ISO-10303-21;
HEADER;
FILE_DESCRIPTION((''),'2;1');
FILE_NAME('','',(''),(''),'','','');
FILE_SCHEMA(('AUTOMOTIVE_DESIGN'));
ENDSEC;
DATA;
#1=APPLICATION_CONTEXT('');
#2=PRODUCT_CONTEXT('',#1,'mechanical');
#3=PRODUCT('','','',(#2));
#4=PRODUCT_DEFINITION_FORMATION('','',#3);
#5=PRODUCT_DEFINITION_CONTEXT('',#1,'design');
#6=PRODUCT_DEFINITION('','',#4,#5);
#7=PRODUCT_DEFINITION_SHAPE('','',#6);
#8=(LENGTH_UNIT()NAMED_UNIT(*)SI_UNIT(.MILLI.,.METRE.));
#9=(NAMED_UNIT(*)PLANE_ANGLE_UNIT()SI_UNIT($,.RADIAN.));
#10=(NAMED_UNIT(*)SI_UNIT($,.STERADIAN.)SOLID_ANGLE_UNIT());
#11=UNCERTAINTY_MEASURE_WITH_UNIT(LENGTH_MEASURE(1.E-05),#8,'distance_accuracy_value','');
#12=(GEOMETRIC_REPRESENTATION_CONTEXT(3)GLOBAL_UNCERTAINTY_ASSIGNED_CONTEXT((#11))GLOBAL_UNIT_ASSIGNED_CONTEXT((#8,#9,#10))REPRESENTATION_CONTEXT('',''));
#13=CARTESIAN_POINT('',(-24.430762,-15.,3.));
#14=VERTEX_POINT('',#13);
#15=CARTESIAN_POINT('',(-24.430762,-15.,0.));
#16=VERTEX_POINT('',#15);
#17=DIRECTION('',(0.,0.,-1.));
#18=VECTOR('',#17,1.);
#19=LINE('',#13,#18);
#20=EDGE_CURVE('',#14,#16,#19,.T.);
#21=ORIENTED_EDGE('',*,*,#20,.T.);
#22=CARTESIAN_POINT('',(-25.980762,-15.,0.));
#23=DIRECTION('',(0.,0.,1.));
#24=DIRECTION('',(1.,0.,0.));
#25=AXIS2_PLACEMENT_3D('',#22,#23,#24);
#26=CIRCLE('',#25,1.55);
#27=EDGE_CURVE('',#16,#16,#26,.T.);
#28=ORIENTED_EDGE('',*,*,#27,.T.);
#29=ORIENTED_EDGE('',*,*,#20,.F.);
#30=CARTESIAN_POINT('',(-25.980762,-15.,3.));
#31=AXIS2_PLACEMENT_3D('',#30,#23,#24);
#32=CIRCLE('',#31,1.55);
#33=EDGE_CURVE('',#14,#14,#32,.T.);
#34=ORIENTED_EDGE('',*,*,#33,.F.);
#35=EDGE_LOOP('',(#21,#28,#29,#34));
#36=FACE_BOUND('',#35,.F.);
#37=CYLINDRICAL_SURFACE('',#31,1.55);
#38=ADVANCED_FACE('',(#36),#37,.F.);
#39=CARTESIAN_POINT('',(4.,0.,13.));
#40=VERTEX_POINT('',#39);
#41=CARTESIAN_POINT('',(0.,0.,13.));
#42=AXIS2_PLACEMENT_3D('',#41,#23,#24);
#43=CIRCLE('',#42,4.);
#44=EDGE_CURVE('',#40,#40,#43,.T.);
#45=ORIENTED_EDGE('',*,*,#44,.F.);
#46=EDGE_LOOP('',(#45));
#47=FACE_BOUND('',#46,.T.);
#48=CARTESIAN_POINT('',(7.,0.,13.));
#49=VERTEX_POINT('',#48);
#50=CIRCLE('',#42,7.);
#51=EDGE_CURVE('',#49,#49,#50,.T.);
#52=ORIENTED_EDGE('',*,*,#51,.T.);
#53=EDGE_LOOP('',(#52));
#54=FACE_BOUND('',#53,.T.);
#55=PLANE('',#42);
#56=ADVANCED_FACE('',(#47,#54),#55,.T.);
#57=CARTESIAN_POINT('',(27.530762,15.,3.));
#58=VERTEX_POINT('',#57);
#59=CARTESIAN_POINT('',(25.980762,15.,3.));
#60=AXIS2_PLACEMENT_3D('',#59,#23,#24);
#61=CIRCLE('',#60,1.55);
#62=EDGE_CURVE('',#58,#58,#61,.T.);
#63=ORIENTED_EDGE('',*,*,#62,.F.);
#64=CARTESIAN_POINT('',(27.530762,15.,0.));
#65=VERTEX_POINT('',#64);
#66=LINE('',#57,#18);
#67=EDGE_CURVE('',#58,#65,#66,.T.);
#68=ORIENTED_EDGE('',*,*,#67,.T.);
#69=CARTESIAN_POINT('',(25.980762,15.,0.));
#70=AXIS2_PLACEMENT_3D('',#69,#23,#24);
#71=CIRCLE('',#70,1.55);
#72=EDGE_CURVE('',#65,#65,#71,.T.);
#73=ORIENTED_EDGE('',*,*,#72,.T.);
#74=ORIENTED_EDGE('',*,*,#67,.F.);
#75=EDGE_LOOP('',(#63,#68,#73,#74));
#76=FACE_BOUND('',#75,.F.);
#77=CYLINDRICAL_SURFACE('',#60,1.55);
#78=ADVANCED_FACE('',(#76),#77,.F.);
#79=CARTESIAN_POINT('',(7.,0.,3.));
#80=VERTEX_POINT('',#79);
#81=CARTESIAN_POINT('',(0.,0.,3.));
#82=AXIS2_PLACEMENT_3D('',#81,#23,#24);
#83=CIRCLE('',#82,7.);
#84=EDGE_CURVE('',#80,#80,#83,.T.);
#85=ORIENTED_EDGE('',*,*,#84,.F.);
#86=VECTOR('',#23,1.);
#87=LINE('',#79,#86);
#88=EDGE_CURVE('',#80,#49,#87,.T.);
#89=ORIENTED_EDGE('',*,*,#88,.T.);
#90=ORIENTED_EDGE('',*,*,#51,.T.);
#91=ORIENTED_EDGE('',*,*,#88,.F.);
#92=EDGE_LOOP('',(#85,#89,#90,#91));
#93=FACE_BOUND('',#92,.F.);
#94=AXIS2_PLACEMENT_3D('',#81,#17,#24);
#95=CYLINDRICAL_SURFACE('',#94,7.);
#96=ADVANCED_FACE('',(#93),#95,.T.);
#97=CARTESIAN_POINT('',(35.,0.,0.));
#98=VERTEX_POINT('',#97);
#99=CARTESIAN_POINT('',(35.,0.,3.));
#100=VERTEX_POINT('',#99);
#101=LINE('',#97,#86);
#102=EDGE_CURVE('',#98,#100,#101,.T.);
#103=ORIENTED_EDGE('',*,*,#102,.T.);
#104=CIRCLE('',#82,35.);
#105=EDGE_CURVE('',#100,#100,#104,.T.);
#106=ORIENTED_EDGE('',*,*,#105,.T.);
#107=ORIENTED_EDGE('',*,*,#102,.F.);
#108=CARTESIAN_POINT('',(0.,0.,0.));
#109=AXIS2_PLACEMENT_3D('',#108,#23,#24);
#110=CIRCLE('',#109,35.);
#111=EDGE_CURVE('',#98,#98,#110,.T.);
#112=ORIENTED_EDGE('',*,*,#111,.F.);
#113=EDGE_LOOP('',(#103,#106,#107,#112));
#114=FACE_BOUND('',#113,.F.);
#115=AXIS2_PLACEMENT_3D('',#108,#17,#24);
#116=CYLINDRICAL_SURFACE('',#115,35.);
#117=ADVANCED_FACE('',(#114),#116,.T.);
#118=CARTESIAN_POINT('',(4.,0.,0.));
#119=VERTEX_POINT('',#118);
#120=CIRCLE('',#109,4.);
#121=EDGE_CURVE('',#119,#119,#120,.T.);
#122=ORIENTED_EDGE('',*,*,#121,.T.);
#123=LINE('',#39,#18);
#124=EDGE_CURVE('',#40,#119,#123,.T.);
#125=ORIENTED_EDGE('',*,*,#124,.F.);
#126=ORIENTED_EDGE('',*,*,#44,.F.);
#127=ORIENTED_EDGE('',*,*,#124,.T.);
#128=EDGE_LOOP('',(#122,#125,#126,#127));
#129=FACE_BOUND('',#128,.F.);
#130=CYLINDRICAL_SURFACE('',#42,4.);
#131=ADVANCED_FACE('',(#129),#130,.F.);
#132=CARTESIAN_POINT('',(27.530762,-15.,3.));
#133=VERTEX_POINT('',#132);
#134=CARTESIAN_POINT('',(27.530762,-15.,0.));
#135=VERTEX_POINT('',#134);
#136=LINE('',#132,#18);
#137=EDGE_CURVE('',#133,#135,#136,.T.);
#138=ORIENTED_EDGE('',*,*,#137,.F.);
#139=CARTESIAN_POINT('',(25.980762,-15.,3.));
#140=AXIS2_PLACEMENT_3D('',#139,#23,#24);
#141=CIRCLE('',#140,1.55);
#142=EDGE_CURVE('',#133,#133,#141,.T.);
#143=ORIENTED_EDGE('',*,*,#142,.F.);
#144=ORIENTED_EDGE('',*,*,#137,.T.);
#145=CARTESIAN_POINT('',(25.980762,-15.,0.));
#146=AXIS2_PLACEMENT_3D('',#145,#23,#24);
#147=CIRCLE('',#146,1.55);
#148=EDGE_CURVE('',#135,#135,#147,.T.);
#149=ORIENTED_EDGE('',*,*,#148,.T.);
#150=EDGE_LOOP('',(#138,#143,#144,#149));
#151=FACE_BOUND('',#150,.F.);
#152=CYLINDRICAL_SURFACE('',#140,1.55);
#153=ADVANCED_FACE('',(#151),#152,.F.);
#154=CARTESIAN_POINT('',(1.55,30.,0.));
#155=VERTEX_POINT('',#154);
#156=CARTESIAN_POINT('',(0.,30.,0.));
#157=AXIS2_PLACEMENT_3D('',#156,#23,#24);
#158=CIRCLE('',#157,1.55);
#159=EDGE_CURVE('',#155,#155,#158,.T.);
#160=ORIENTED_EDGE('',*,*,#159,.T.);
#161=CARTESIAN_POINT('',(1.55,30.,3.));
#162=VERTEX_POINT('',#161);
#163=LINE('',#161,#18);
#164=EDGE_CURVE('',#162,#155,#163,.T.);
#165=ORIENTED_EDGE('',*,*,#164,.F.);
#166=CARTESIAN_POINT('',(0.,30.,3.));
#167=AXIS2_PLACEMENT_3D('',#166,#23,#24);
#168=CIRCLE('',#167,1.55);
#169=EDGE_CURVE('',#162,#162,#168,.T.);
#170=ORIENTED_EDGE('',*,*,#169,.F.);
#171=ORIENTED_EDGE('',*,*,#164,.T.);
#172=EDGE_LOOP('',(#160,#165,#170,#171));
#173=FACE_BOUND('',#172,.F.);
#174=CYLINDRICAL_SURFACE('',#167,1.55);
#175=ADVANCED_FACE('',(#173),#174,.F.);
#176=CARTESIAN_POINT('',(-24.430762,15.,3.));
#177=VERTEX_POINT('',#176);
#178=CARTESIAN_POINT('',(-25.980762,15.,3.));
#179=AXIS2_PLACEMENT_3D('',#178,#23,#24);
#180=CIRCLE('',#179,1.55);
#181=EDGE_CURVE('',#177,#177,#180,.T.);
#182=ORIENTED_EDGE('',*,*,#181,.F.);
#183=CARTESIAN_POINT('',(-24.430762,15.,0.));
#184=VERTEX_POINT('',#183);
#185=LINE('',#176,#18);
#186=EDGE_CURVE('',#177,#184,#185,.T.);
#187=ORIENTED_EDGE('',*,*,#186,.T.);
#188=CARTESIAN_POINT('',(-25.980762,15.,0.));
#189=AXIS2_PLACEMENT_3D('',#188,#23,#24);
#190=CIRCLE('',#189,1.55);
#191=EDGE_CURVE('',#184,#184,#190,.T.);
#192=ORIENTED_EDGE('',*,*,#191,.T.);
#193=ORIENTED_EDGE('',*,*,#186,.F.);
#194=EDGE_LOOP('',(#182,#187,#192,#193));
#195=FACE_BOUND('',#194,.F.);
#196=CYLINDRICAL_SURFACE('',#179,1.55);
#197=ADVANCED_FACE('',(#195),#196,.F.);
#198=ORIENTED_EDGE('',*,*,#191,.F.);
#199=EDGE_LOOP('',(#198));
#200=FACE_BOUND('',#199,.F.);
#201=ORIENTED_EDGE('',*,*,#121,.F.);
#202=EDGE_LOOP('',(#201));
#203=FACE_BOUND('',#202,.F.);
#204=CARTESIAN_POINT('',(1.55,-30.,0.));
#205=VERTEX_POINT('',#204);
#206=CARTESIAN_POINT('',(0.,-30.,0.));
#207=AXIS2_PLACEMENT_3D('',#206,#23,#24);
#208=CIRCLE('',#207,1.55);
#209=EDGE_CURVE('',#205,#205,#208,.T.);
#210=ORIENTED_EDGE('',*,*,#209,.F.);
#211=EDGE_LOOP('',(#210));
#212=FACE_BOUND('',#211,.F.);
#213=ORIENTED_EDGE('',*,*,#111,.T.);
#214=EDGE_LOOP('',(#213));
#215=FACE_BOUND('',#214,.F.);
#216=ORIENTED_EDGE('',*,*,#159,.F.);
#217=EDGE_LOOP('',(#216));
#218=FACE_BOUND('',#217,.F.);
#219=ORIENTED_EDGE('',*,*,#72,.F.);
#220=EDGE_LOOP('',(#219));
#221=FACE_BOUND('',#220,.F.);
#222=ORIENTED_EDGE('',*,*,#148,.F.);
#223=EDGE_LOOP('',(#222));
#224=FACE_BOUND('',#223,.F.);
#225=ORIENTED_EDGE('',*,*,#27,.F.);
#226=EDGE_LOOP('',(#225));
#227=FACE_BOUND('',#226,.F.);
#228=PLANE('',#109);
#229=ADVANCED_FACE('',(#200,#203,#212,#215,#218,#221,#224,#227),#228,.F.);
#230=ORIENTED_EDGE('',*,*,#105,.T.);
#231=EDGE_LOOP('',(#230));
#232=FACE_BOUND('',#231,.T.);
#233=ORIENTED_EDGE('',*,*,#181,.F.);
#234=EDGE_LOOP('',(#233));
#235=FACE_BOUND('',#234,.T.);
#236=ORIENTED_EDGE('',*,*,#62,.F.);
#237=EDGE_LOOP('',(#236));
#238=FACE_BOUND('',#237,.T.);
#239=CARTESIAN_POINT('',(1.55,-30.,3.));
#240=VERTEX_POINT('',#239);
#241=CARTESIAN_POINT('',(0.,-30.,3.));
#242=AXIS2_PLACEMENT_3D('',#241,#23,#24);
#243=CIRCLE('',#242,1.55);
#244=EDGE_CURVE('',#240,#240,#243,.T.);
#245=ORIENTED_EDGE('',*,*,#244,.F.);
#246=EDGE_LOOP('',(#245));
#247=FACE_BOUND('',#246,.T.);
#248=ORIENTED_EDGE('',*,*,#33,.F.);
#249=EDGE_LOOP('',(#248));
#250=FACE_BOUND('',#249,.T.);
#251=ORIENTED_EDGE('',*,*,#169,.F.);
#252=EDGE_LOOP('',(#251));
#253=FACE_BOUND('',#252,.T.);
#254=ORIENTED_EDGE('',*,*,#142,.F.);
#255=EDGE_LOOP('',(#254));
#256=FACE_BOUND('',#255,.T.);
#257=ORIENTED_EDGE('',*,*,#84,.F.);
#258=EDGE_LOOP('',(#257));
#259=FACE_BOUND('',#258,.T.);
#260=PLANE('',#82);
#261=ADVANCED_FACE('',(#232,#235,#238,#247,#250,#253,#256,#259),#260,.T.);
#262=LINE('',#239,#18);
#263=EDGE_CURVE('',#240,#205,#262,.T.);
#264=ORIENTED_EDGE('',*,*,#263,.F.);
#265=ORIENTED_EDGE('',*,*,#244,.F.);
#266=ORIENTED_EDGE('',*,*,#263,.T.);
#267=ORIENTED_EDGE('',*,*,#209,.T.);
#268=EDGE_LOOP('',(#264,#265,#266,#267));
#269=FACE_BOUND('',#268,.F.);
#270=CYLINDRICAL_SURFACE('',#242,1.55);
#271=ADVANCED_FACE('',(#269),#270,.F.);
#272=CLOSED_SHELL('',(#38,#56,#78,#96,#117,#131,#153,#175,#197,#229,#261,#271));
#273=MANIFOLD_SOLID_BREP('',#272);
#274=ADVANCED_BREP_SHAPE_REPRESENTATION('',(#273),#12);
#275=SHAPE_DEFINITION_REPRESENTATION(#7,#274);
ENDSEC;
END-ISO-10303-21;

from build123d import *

# Parameters (mm, degrees)
F0_R     = 35
F1_DEPTH = 3
F2_R     = 1.55
F3_DEPTH = 3.001
F4_R     = 7
F5_DEPTH = 10
F6_R     = 4
F7_DEPTH = 13.001


with BuildPart() as f1:
    # F0 (on Top) → F1 (new body)
    with BuildSketch(Plane.XY):
        Circle(F0_R)
    extrude(amount=F1_DEPTH)

    # F2 (on face) → F3 (cut, through all)
    with BuildSketch(Plane.XY.offset(3)):
        with Locations((0, 30)):
            Circle(F2_R)
        with Locations((-25.980762, 15)):
            Circle(F2_R)
        with Locations((-25.980762, -15)):
            Circle(F2_R)
        with Locations((25.980762, 15)):
            Circle(F2_R)
        with Locations((25.980762, -15)):
            Circle(F2_R)
        with Locations((0, -30)):
            Circle(F2_R)
    extrude(amount=-F3_DEPTH, mode=Mode.SUBTRACT)

    # F4 (on face) → F5 (join)
    with BuildSketch(Plane.XY.offset(3)):
        Circle(F4_R)
    extrude(amount=F5_DEPTH)

    # F6 (on face) → F7 (cut, through all)
    with BuildSketch(Plane.XY.offset(13)):
        Circle(F6_R)
    extrude(amount=-F7_DEPTH, mode=Mode.SUBTRACT)


solid = f1.part
